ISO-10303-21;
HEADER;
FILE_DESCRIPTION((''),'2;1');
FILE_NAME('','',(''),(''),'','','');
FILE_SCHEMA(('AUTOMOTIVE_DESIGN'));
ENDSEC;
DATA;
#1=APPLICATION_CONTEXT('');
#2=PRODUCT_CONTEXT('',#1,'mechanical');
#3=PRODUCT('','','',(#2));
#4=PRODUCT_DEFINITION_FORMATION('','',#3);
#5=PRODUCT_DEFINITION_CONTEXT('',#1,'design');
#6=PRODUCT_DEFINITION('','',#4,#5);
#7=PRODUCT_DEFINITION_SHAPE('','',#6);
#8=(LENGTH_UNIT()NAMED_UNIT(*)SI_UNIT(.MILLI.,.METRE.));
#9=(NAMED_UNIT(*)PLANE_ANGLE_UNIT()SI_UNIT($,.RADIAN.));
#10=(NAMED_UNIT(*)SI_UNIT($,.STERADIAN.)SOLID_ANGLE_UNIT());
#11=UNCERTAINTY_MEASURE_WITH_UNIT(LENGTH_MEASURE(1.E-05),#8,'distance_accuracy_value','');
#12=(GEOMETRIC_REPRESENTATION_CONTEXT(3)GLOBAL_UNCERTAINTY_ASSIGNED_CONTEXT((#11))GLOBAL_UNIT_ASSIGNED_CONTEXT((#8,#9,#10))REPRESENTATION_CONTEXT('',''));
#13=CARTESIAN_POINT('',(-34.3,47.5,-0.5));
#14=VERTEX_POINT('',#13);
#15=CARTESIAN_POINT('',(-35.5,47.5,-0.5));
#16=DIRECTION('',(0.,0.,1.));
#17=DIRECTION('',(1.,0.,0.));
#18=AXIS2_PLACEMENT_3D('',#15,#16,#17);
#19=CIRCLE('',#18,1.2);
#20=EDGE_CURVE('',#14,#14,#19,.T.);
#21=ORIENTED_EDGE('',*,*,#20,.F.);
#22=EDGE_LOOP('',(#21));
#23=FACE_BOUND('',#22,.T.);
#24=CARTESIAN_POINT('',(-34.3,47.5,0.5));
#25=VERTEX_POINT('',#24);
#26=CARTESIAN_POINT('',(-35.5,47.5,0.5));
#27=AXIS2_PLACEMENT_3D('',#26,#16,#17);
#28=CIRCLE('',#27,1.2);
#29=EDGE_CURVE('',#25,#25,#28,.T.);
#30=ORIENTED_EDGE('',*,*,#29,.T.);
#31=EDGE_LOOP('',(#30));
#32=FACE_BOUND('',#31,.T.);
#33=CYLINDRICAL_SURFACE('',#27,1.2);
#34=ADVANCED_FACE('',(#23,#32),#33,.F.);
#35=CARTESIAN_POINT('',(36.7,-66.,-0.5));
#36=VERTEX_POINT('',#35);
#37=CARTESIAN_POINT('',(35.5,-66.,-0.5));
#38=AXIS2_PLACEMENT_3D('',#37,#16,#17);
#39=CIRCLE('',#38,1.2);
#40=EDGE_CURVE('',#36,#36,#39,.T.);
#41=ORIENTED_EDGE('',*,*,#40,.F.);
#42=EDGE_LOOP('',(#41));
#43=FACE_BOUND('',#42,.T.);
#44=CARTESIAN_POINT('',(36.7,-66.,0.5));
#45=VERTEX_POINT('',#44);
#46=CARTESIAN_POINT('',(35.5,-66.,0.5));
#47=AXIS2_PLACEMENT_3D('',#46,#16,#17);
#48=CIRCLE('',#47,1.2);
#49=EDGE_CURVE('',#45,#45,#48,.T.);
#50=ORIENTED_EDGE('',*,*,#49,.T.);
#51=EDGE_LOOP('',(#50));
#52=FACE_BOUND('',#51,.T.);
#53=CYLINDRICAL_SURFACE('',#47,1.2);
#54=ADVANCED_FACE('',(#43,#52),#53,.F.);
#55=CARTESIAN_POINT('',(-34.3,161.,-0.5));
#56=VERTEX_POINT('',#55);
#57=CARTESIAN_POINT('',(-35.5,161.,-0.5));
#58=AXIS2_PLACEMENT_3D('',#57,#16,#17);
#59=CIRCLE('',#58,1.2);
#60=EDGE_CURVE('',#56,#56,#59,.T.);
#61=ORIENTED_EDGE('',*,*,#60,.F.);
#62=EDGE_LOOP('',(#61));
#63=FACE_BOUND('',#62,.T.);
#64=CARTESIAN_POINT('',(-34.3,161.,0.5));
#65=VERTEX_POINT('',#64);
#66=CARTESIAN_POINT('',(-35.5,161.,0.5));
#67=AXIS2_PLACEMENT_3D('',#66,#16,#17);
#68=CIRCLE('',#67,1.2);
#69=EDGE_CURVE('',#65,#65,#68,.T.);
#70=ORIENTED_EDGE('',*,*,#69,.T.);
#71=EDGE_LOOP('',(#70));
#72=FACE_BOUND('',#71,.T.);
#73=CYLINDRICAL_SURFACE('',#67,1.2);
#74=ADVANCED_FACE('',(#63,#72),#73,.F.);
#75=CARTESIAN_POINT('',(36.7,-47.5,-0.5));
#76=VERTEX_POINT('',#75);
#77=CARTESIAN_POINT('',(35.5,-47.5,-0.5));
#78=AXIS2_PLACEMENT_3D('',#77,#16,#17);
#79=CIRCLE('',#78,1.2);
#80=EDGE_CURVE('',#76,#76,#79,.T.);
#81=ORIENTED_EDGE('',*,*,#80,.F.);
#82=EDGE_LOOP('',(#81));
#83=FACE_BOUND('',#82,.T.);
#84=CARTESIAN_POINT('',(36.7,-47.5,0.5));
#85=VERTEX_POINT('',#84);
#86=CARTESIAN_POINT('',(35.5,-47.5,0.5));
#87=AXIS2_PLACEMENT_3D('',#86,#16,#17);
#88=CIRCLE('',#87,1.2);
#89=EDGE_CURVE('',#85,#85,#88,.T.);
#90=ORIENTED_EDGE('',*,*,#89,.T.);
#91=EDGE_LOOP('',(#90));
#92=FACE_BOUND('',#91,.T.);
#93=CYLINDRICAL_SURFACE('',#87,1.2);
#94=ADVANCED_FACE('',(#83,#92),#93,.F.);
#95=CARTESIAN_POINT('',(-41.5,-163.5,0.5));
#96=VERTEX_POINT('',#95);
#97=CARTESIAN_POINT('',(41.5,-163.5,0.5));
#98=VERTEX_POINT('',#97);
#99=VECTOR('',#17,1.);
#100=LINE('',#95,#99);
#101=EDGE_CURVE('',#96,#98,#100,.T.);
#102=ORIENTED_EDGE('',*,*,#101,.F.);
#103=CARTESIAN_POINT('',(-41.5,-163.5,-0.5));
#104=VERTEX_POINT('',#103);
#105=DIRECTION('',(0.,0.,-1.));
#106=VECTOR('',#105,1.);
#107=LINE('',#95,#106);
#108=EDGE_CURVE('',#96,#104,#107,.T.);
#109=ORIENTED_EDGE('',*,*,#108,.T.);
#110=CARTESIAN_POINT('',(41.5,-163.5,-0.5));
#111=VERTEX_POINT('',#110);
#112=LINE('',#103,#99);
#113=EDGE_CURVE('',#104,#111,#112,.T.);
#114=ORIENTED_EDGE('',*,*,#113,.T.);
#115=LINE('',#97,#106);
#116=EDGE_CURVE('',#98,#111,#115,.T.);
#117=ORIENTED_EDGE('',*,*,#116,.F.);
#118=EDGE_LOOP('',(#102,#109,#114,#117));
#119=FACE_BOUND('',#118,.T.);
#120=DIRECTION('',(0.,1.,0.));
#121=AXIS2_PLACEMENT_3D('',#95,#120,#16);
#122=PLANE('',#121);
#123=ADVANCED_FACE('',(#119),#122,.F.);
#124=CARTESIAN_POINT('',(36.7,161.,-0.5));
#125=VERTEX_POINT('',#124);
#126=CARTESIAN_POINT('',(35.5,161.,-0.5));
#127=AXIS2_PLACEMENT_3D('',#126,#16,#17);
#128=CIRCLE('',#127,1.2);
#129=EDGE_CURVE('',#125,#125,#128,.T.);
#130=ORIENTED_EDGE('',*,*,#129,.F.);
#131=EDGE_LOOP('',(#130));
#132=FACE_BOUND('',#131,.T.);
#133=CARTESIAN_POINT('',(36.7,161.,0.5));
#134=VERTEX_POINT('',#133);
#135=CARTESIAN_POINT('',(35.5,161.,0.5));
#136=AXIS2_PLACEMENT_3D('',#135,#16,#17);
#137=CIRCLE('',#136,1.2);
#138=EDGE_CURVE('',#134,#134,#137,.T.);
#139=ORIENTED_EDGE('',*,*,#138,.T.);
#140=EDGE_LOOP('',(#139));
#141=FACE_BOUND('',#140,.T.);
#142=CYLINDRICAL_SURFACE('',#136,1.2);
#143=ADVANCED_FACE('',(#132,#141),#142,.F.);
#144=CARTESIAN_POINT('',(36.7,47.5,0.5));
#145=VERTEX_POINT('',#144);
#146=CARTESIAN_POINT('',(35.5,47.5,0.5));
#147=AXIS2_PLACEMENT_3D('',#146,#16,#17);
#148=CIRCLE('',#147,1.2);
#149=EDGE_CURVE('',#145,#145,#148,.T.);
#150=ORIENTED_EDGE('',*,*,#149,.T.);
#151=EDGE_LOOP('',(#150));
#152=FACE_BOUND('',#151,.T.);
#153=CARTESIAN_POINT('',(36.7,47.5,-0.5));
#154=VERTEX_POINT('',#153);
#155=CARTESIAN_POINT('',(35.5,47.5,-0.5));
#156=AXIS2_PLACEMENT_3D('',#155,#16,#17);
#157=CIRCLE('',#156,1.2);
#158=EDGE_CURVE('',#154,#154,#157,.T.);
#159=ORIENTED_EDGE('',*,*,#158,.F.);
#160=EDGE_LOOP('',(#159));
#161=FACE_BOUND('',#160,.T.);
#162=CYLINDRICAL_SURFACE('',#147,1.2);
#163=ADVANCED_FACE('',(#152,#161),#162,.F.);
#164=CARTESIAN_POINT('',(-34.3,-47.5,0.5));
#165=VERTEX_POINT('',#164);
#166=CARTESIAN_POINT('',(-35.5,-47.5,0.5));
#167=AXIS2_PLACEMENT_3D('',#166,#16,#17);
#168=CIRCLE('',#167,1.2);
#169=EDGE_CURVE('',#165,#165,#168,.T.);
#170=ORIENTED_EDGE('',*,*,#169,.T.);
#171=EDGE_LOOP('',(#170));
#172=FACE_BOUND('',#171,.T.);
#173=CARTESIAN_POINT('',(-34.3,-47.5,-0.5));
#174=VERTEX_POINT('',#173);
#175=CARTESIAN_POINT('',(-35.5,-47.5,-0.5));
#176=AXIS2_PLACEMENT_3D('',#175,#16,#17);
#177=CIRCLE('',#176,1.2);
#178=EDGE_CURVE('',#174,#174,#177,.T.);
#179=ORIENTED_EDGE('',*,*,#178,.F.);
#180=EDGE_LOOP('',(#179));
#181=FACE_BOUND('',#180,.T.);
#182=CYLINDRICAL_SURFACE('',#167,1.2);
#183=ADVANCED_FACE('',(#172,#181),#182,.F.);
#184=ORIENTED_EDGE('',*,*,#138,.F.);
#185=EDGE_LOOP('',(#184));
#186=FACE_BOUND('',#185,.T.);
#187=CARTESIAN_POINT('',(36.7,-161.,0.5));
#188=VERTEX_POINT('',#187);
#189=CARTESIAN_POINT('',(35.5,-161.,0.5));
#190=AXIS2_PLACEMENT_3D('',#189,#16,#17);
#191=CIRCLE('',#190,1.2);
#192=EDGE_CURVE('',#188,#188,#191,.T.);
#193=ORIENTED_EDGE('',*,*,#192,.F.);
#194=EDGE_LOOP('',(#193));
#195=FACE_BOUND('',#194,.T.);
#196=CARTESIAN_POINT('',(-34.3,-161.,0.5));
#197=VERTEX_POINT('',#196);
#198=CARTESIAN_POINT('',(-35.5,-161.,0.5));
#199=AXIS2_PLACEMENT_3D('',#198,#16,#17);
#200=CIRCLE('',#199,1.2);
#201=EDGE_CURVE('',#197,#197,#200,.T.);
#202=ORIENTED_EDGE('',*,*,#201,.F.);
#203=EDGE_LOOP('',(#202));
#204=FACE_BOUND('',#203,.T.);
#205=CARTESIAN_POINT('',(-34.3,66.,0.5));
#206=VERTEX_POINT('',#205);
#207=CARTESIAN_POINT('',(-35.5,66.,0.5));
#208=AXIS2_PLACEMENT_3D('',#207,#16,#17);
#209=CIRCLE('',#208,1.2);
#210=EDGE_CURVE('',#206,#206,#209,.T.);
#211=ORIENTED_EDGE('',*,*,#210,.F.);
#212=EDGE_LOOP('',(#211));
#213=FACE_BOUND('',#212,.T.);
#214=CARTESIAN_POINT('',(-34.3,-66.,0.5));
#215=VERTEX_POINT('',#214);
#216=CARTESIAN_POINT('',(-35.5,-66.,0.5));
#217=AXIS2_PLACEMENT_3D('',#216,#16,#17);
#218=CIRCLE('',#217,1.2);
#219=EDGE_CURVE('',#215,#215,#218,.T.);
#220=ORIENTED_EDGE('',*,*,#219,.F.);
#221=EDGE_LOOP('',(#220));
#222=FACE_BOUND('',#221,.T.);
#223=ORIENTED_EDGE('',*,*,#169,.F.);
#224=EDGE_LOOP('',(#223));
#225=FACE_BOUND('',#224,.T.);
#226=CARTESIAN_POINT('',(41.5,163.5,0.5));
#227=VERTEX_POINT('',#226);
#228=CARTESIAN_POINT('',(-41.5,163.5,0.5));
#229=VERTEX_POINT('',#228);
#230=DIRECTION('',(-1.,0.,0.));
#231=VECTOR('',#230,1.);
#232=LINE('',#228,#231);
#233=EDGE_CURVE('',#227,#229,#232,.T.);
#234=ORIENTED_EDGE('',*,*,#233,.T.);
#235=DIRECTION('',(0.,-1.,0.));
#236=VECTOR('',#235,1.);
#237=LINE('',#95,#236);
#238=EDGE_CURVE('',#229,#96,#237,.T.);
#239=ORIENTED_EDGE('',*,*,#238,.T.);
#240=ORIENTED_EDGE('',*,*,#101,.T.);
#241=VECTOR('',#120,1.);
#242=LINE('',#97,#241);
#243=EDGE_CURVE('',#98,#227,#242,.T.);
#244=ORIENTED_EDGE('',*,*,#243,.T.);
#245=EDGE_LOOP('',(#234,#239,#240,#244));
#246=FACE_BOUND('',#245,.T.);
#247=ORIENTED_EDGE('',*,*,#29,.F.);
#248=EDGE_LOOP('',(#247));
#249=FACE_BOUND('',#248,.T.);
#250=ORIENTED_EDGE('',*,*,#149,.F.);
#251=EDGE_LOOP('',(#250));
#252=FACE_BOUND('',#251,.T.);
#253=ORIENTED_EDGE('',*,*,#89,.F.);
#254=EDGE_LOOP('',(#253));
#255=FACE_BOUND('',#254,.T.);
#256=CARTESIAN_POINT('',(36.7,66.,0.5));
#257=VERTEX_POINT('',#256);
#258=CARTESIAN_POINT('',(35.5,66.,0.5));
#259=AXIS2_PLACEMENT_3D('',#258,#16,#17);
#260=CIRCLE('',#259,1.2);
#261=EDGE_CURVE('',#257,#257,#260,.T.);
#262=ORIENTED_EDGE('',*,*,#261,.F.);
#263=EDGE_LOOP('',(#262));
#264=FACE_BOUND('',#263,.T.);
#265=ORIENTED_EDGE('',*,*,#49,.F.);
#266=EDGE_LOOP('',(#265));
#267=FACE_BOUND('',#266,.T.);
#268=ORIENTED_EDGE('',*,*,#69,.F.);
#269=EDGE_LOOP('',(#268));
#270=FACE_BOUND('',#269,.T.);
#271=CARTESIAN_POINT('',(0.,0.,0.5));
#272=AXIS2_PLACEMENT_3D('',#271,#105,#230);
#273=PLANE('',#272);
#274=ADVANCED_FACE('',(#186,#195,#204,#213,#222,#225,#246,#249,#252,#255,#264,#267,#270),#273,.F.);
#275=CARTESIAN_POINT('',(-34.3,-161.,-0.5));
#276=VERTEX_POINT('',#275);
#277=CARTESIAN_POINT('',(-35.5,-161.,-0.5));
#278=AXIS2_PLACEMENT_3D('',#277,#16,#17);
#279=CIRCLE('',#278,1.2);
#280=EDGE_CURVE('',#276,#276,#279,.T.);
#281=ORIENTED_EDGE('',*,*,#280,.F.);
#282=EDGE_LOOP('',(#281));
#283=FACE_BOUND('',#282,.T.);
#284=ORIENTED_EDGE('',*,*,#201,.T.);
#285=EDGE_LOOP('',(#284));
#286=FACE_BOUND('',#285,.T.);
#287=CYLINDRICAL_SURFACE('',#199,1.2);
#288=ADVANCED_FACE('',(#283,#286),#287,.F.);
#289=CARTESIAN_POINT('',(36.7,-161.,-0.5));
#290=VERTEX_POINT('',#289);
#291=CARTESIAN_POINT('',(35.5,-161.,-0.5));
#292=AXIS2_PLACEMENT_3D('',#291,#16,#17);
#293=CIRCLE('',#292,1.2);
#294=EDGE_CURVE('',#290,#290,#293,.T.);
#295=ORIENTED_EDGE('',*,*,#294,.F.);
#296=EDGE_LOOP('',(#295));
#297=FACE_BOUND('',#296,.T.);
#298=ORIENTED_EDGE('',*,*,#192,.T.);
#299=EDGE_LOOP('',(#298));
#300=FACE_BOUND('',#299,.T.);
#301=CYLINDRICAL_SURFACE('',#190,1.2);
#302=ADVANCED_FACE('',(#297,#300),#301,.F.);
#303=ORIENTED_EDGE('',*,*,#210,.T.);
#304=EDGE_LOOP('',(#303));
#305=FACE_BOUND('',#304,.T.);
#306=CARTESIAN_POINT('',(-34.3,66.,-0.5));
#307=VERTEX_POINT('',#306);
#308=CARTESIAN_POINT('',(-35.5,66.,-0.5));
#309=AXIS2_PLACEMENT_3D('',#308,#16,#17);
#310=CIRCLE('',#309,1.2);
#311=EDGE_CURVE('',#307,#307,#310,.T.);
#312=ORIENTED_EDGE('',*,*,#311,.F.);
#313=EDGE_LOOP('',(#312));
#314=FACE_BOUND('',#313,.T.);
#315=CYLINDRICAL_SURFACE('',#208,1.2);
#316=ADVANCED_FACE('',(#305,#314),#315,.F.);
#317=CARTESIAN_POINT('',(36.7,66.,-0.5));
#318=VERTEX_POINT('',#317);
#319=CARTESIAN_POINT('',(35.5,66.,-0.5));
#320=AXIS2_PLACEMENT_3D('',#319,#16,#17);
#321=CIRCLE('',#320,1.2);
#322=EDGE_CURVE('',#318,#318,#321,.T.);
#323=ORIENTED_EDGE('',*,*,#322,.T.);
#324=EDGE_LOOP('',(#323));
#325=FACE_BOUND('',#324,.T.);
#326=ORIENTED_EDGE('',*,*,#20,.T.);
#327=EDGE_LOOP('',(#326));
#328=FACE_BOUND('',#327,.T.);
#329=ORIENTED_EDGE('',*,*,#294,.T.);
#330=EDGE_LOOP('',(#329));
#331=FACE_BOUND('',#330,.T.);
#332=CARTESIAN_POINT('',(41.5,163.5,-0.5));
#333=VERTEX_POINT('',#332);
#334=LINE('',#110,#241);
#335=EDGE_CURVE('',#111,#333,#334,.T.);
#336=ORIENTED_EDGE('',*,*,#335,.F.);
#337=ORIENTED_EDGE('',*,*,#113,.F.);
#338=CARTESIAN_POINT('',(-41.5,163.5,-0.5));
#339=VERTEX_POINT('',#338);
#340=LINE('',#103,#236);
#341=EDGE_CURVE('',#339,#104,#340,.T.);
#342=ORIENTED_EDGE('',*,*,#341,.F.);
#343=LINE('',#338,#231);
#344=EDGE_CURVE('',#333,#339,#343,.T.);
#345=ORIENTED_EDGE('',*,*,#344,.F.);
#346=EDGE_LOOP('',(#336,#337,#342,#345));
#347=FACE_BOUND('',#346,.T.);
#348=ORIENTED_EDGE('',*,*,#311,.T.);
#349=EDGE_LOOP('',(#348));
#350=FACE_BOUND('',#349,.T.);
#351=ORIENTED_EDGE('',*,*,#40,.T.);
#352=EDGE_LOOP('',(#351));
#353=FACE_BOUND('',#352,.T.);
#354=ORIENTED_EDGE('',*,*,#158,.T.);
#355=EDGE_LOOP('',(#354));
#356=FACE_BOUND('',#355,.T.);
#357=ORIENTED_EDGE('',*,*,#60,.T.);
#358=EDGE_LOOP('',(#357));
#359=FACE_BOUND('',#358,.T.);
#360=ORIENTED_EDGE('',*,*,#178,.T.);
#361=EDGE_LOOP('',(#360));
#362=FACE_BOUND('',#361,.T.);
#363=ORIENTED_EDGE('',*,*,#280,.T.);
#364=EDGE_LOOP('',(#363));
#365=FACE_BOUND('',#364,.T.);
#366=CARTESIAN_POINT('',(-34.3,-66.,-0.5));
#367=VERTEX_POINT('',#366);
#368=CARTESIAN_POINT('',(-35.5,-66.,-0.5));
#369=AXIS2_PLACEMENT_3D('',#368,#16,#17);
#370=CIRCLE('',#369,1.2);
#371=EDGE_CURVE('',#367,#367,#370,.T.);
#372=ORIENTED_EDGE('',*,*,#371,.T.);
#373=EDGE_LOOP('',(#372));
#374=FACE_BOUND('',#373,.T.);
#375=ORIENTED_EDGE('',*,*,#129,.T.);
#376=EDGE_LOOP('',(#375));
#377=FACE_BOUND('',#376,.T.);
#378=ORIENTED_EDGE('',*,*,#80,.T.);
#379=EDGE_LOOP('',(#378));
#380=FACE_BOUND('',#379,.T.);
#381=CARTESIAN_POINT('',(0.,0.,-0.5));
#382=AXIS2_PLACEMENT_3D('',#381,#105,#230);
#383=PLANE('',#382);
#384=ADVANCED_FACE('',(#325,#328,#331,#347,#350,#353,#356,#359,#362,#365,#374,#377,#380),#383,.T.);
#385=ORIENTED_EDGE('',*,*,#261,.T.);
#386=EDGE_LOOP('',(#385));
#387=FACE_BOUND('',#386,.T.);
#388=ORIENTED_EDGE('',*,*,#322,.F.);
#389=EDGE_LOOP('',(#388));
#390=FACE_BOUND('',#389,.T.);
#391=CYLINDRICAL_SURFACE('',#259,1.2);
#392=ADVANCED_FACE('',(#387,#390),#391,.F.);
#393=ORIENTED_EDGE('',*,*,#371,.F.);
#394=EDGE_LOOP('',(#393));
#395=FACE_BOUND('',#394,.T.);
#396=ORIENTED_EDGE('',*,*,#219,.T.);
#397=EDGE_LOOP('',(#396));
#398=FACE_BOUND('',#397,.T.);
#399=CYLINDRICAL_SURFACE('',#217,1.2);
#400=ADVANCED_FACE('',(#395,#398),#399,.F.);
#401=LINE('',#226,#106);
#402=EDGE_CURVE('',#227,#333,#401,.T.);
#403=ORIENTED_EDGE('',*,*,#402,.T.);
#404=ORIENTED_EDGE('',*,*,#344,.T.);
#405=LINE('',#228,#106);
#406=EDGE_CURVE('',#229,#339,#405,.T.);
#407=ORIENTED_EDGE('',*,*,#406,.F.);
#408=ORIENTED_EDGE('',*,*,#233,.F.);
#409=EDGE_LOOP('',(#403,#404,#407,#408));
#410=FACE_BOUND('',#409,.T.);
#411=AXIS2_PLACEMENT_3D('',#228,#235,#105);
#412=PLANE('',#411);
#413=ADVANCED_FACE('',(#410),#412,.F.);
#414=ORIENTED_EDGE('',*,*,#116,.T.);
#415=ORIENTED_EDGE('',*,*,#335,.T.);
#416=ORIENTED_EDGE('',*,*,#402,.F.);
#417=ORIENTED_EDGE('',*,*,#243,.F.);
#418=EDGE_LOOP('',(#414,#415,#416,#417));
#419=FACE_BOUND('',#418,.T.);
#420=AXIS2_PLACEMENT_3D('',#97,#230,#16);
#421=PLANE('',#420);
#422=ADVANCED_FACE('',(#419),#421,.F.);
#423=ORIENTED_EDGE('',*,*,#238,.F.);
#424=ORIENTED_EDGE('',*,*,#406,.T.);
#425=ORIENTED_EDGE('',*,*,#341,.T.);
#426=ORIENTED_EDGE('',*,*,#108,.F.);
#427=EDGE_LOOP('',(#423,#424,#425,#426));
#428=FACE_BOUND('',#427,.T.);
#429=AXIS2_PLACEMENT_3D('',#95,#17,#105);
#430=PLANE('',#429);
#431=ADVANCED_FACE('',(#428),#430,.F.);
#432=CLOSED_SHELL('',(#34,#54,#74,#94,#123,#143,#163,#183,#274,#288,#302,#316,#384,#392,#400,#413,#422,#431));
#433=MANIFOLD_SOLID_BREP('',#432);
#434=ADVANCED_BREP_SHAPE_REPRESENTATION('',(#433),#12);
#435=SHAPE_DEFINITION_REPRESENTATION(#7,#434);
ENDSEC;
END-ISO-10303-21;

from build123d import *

# Parameters (mm, degrees)
SKETCH1_W           = 83
SKETCH1_H           = 327
BOSS_EXTRUDE1_DEPTH = 0.5
M2_HOLE1_A_D        = 2.4


with BuildPart() as part:
    # Sketch1 → Boss-Extrude1 (new, symmetric)
    with BuildSketch(Plane.XY):
        Rectangle(SKETCH1_W, SKETCH1_H)
    extrude(amount=BOSS_EXTRUDE1_DEPTH, both=True)

    # M2 Hole1 - A (through all)
    with Locations(Plane.XY.offset(0.5)):
        with Locations((-35.5, 161), (35.5, 161), (-35.5, 66), (35.5, 66), (-35.5, 47.5), (35.5, 47.5), (-35.5, -47.5), (35.5, -47.5), (-35.5, -66), (35.5, -66), (-35.5, -161), (35.5, -161)):
            Hole(M2_HOLE1_A_D / 2)


solid = part.part
